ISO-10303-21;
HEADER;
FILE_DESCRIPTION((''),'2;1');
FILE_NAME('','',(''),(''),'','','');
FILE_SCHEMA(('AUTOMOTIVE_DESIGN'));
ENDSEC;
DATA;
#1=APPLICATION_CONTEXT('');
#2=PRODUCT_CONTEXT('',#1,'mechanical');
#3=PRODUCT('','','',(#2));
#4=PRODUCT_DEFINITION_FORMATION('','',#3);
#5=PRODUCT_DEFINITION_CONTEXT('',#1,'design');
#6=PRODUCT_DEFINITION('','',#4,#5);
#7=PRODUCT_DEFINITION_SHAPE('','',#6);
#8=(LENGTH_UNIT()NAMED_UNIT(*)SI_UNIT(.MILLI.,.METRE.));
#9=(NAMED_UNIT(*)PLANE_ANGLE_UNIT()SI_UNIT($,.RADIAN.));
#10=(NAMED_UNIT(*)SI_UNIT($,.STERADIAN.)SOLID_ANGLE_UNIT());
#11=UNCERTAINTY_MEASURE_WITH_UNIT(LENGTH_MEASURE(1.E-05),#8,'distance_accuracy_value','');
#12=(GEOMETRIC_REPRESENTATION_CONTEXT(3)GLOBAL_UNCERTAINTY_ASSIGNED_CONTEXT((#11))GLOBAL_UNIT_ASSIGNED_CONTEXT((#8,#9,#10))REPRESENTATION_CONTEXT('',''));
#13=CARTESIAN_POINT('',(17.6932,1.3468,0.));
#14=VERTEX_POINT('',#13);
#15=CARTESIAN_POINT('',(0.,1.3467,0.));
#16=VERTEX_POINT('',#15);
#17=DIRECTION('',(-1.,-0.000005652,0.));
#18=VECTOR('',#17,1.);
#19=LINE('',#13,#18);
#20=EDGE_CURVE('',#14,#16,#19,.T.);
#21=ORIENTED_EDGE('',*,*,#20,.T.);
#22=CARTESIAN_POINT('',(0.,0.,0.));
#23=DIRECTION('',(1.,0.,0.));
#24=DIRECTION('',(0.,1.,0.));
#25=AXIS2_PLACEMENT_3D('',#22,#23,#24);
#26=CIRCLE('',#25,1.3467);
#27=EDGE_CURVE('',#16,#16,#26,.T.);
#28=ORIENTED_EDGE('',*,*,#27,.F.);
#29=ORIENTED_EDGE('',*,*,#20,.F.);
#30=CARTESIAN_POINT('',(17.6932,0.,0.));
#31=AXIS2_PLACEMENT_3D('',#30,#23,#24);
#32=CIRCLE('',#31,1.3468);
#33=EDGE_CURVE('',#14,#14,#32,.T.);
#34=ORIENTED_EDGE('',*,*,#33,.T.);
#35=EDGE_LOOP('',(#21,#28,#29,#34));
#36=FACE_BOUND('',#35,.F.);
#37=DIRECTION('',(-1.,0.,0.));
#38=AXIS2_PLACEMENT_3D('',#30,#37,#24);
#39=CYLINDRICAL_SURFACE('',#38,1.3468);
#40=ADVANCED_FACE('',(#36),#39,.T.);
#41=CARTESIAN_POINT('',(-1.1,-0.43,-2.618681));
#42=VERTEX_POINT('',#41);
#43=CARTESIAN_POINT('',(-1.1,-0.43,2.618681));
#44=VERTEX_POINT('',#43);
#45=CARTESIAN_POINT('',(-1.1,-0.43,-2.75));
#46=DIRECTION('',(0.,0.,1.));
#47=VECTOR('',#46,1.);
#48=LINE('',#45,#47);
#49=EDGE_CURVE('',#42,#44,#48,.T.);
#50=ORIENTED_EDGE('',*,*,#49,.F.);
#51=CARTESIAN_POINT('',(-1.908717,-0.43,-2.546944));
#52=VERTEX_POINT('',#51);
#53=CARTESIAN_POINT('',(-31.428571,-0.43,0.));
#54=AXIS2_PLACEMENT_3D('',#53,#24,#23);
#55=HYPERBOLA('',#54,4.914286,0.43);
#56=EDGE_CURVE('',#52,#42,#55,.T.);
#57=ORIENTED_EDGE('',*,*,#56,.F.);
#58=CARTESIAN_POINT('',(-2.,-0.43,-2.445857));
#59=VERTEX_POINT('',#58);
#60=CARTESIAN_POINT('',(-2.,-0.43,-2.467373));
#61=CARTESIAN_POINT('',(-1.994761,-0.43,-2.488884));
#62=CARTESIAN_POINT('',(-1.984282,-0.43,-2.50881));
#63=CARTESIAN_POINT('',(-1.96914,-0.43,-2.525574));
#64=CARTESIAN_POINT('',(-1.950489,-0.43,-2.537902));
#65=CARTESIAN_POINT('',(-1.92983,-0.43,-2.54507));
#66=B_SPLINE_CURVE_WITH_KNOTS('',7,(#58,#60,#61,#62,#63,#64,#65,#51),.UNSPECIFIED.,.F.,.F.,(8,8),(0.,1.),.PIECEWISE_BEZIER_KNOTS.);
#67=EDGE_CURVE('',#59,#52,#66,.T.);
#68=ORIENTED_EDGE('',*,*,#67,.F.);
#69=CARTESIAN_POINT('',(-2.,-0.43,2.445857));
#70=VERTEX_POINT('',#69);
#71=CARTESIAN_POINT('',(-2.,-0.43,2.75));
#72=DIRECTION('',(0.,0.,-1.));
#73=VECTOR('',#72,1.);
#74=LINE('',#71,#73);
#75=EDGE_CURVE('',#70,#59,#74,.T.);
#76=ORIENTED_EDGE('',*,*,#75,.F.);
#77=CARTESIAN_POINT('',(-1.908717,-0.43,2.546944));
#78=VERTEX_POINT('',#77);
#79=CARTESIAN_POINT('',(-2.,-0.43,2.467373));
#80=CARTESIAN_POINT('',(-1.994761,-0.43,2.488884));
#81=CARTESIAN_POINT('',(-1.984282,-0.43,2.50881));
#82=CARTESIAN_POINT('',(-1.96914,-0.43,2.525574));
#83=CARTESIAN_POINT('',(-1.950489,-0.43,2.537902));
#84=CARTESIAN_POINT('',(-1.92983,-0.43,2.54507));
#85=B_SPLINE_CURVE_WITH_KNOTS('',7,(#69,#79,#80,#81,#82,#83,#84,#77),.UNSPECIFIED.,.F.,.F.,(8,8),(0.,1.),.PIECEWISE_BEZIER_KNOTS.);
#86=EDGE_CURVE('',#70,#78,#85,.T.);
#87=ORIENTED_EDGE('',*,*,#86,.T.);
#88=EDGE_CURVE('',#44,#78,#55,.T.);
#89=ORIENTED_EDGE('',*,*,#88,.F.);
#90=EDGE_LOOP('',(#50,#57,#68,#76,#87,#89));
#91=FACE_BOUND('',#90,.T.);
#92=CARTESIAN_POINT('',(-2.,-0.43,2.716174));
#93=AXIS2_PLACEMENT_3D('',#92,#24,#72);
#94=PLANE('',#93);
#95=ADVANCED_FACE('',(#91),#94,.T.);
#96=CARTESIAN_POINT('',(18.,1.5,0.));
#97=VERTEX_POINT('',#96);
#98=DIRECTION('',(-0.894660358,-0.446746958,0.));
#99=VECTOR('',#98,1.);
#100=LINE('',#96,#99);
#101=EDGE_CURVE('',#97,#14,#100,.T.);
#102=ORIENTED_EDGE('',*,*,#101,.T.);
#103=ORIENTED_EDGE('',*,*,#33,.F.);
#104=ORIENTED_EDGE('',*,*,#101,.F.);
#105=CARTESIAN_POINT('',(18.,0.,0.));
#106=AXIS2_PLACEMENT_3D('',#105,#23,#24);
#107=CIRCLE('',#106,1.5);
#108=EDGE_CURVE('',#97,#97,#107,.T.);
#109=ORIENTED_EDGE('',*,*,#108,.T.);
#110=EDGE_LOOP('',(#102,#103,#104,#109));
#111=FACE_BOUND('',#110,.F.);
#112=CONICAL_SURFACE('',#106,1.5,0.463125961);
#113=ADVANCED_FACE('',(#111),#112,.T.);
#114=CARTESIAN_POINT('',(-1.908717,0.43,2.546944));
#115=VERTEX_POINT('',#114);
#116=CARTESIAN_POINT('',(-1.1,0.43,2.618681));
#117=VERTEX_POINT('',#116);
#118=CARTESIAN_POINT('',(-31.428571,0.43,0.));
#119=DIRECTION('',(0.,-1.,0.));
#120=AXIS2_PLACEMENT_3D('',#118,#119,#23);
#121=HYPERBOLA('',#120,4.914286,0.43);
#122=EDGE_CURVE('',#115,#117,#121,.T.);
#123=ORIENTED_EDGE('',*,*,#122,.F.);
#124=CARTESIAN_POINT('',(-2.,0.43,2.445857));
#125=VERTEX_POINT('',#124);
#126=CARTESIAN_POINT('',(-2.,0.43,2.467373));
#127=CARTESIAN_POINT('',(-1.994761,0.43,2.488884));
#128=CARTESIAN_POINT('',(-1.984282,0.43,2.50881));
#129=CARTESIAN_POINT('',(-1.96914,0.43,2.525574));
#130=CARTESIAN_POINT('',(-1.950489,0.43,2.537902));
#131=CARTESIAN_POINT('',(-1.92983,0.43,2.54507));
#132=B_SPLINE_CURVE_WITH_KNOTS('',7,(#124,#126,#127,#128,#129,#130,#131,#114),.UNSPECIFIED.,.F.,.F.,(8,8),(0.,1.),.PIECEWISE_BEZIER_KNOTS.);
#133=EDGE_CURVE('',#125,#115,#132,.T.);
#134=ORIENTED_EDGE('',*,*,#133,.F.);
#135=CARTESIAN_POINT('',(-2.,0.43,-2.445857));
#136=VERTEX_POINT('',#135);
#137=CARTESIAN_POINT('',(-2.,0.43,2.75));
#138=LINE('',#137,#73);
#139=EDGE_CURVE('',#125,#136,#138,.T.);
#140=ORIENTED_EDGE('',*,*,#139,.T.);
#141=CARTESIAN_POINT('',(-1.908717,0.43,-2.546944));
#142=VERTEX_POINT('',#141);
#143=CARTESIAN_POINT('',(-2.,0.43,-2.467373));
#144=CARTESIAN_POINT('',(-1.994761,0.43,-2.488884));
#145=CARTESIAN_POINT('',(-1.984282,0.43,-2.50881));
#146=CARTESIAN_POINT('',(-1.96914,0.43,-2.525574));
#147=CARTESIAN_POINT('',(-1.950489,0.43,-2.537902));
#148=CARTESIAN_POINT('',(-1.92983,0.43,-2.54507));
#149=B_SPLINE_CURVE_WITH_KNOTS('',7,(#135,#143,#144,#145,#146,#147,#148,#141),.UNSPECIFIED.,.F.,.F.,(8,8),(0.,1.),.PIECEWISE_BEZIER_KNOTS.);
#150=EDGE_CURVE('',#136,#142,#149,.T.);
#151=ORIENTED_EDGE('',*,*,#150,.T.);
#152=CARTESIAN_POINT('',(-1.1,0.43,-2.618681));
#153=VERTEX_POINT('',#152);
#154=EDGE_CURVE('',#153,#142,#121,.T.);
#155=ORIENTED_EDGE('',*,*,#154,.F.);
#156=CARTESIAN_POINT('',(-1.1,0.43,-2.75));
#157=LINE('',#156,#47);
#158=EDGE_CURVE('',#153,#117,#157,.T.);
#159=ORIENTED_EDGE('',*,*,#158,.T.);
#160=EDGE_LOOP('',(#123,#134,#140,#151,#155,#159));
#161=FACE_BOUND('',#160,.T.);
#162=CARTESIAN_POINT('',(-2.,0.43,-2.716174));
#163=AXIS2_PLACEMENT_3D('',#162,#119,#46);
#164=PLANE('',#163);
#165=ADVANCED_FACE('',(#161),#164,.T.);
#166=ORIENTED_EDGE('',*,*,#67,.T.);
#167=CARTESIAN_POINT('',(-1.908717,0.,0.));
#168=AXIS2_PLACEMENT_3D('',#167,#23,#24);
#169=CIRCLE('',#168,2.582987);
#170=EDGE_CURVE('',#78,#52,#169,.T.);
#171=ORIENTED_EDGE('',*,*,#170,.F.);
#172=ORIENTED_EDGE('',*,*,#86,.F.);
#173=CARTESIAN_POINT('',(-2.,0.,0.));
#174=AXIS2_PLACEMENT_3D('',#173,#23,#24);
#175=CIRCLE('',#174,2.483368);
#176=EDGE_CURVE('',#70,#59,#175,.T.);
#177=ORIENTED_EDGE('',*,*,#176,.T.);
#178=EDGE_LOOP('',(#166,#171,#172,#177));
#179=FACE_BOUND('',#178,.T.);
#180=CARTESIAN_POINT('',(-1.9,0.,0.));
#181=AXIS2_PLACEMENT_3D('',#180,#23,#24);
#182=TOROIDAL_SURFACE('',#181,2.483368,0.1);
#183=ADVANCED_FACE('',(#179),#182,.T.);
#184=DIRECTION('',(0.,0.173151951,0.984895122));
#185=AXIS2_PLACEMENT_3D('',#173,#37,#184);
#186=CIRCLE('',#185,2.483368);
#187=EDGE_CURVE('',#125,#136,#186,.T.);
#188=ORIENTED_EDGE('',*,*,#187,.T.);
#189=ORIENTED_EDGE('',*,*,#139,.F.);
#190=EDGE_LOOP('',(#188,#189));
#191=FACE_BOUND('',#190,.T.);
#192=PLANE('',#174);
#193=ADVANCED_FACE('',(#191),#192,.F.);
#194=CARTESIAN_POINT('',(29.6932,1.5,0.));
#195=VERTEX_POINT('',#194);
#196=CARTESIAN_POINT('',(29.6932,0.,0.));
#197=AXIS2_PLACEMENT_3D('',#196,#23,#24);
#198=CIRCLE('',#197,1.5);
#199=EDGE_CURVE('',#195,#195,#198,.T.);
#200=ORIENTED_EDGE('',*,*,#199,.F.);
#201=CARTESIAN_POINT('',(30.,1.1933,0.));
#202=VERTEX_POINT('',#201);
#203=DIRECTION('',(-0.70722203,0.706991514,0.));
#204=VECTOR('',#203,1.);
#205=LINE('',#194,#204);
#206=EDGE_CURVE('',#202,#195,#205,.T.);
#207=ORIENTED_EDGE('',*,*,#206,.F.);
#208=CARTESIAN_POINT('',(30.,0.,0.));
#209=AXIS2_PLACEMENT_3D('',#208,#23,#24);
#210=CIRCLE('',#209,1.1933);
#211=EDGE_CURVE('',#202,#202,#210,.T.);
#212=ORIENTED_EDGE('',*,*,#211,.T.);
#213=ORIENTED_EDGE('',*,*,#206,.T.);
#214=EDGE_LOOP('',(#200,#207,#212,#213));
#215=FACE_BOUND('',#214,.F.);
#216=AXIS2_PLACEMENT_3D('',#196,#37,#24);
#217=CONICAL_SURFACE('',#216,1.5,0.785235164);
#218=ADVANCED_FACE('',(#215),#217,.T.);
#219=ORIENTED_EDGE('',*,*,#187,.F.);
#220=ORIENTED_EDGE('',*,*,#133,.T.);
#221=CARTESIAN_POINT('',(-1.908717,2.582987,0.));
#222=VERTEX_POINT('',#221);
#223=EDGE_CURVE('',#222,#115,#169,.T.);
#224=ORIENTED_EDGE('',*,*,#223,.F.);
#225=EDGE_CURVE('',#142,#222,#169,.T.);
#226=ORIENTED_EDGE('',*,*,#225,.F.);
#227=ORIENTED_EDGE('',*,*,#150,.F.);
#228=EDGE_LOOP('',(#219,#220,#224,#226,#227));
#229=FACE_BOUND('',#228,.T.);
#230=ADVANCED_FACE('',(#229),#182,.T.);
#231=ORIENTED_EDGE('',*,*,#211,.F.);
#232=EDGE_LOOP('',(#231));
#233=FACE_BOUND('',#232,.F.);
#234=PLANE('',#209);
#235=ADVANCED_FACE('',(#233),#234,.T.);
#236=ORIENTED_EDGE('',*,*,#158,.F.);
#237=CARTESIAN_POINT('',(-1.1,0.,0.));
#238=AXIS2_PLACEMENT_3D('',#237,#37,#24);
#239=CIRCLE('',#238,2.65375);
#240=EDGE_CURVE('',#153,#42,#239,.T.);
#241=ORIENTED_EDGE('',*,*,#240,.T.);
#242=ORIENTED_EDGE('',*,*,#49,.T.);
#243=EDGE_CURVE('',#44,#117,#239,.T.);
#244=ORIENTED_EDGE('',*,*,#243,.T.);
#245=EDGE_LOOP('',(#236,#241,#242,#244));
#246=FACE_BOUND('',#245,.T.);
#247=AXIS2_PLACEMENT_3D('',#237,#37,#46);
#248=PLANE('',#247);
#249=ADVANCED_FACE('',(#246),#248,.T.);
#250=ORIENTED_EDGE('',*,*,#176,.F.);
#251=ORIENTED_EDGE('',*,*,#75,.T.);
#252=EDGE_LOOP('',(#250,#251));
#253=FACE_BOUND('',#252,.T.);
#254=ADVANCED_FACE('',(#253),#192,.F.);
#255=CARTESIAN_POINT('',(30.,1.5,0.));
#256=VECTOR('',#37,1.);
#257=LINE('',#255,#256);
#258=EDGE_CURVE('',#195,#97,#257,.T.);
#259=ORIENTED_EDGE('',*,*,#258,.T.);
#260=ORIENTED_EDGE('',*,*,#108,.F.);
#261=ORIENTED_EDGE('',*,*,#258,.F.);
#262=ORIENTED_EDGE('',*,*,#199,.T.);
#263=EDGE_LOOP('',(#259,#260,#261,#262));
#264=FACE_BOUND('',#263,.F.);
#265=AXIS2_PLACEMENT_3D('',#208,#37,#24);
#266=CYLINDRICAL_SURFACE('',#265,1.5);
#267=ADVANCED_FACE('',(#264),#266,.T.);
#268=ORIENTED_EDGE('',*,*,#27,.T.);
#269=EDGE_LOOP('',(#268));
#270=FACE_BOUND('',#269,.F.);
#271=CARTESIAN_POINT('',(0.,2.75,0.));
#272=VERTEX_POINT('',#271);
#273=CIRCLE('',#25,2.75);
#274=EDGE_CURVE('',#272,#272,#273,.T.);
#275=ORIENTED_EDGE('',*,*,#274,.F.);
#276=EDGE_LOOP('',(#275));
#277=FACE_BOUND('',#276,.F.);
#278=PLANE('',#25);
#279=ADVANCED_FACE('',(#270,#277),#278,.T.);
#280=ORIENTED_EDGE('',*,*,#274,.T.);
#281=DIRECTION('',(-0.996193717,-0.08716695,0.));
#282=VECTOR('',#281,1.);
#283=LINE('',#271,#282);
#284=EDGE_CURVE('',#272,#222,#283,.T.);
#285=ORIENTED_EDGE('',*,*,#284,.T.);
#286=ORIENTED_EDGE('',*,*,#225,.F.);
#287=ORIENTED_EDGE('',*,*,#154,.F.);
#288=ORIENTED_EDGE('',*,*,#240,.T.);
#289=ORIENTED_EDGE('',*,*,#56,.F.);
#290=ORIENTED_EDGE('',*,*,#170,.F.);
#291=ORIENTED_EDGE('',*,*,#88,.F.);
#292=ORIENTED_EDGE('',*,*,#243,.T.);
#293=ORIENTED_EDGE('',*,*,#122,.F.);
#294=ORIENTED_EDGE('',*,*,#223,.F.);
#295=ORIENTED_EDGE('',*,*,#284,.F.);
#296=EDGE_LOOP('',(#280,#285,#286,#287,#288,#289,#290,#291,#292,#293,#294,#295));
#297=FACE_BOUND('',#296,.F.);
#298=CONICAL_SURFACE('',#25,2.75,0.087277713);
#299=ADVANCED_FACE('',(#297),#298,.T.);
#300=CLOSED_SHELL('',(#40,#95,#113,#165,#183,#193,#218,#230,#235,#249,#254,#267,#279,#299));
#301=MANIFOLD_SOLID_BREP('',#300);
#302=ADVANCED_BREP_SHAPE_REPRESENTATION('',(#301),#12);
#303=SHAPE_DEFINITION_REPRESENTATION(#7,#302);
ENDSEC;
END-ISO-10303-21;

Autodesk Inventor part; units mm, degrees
ref_plane "YZ Plane" through (0, 0, 0) normal (1, 0, 0) x (0, 1, 0)
ref_plane "XZ Plane" through (0, 0, 0) normal (0, 1, 0) x (-1, 0, 0)
sketch "Esquisse1" plane through (0, 0, 0) normal (0, 0, 1) x (1, 0, 0)
  line L0 (-2, 0) -> (30, 0)
  line L1 (30, 0) -> (30, 1.5)
  line L2 (30, 1.5) -> (18, 1.5)
  line L3 (18, 1.5) -> (17.6932, 1.3468)
  line L4 (17.6932, 1.3468) -> (0, 1.3467)
  line L5 (0, 1.3467) -> (0, 2.75)
  line L6 (-8.4, 0) -> (36.4, 0) projected
  line L7 (0, -0.55) -> (0, 3.3) projected
  line L8 (-2, 0) -> (-2, 2.575)
  line L9 (0, 2.75) -> (-2, 2.575)
  line L10 (18, 1.5) -> (0, 1.5) construction
  dimension "d0" = 30
  dimension "d1" = 12
  dimension "d2" = 0.3068
  dimension "d3" = 2
  dimension "d4" = 3
  dimension "d5" = 2.6935
  dimension "d9" = 5.5
  dimension "d10" = 5
revolve "Corps" add sketch "Esquisse1" angle 360 about axis through (-2, 0, 0) along (1, 0, 0)
sketch "Esquisse2" plane through (-2, 0, 0) normal (-1, 0, 0) x (0, 0, 1)
  circle A0 centre (0, 0) radius 2.75 projected
  line L0 (0, 0) -> (0, 2.575) projected
  line L1 (-2.75, 0.43) -> (2.75, 0.43)
  line L2 (2.75, 0.43) -> (2.75, -0.43)
  line L3 (2.75, -0.43) -> (-2.75, -0.43)
  line L4 (-2.75, -0.43) -> (-2.75, 0.43)
  line L5 (-2.75, 0) -> (2.75, 0) construction
  line L6 (0, 0.43) -> (0, -0.43) construction
  dimension "d11" = 0.86
  dimension "d12" = 5.5
fillet "Congé1" radius 0.1 1 edges at (-2, -2.575, 0)
extrude "Rainure" cut sketch "Esquisse2" against normal blind 0.9 contours A0 L3 L1 | L2 L3 A0 | A0 L1 L2 | A0 L4 L1 | L3 L4 A0
thread "Filetage" size "M3x0.5" class "6g" standard "ISO Metric profile" length 12
chamfer "Chanfrein1" distance 0.3067 distance2 0.3068 1 edges at (30, -1.5, 0) measured on face at (30, 0.3888, 0.4512)
ref_plane "Work Plane1" through (30.1625, 0, 0) normal (0, 0, -1) x (1, 0, 0)
equation "\"d11\" = SBR"
equation "\"d12\" = KOD"
equation "\"d14\" = RR"
equation "\"d19\" = STI"
equation "\"d15\" = GEL"
equation "\"d17\" = -0.5 * SPD + 0.5 * GD"
equation "\"d0\" = NLG"
equation "\"d1\" = GEL"
equation "\"d3\" = KOH"
equation "\"d4\" = GD"
equation "\"d5\" = BDM"
equation "\"d9\" = KOD"
equation "\"d10\" = KEWI"
equation "\"GD\" = NND"
equation "\"NLG\" = 30"
equation "\"GEL\" = 12"
equation "\"KOD\" = 5.5"
equation "\"KOH\" = 2"
equation "\"GAL\" = 0.61345 * PTC"
equation "\"SPD\" = NND - 1.2269 * PTC"
equation "\"BDM\" = 2.6935"
equation "\"GUL\" = 0.61345 * PTC"
equation "\"RR\" = 0.1"
equation "\"SBR\" = 0.86"
equation "\"STI\" = 0.9"
equation "\"KEWI\" = 5deg"
equation "\"PTC\" = 0.5"
equation "\"THREADDIA\" = 3"
equation "\"TOA\" = 30deg"
equation "\"NND\" = 3"
equation "\"GD1\" = THREADDIA - 1.2269 * PTC"
properties part number "CSN 02 1131 - M3 x 30" material "Acier, doux"
